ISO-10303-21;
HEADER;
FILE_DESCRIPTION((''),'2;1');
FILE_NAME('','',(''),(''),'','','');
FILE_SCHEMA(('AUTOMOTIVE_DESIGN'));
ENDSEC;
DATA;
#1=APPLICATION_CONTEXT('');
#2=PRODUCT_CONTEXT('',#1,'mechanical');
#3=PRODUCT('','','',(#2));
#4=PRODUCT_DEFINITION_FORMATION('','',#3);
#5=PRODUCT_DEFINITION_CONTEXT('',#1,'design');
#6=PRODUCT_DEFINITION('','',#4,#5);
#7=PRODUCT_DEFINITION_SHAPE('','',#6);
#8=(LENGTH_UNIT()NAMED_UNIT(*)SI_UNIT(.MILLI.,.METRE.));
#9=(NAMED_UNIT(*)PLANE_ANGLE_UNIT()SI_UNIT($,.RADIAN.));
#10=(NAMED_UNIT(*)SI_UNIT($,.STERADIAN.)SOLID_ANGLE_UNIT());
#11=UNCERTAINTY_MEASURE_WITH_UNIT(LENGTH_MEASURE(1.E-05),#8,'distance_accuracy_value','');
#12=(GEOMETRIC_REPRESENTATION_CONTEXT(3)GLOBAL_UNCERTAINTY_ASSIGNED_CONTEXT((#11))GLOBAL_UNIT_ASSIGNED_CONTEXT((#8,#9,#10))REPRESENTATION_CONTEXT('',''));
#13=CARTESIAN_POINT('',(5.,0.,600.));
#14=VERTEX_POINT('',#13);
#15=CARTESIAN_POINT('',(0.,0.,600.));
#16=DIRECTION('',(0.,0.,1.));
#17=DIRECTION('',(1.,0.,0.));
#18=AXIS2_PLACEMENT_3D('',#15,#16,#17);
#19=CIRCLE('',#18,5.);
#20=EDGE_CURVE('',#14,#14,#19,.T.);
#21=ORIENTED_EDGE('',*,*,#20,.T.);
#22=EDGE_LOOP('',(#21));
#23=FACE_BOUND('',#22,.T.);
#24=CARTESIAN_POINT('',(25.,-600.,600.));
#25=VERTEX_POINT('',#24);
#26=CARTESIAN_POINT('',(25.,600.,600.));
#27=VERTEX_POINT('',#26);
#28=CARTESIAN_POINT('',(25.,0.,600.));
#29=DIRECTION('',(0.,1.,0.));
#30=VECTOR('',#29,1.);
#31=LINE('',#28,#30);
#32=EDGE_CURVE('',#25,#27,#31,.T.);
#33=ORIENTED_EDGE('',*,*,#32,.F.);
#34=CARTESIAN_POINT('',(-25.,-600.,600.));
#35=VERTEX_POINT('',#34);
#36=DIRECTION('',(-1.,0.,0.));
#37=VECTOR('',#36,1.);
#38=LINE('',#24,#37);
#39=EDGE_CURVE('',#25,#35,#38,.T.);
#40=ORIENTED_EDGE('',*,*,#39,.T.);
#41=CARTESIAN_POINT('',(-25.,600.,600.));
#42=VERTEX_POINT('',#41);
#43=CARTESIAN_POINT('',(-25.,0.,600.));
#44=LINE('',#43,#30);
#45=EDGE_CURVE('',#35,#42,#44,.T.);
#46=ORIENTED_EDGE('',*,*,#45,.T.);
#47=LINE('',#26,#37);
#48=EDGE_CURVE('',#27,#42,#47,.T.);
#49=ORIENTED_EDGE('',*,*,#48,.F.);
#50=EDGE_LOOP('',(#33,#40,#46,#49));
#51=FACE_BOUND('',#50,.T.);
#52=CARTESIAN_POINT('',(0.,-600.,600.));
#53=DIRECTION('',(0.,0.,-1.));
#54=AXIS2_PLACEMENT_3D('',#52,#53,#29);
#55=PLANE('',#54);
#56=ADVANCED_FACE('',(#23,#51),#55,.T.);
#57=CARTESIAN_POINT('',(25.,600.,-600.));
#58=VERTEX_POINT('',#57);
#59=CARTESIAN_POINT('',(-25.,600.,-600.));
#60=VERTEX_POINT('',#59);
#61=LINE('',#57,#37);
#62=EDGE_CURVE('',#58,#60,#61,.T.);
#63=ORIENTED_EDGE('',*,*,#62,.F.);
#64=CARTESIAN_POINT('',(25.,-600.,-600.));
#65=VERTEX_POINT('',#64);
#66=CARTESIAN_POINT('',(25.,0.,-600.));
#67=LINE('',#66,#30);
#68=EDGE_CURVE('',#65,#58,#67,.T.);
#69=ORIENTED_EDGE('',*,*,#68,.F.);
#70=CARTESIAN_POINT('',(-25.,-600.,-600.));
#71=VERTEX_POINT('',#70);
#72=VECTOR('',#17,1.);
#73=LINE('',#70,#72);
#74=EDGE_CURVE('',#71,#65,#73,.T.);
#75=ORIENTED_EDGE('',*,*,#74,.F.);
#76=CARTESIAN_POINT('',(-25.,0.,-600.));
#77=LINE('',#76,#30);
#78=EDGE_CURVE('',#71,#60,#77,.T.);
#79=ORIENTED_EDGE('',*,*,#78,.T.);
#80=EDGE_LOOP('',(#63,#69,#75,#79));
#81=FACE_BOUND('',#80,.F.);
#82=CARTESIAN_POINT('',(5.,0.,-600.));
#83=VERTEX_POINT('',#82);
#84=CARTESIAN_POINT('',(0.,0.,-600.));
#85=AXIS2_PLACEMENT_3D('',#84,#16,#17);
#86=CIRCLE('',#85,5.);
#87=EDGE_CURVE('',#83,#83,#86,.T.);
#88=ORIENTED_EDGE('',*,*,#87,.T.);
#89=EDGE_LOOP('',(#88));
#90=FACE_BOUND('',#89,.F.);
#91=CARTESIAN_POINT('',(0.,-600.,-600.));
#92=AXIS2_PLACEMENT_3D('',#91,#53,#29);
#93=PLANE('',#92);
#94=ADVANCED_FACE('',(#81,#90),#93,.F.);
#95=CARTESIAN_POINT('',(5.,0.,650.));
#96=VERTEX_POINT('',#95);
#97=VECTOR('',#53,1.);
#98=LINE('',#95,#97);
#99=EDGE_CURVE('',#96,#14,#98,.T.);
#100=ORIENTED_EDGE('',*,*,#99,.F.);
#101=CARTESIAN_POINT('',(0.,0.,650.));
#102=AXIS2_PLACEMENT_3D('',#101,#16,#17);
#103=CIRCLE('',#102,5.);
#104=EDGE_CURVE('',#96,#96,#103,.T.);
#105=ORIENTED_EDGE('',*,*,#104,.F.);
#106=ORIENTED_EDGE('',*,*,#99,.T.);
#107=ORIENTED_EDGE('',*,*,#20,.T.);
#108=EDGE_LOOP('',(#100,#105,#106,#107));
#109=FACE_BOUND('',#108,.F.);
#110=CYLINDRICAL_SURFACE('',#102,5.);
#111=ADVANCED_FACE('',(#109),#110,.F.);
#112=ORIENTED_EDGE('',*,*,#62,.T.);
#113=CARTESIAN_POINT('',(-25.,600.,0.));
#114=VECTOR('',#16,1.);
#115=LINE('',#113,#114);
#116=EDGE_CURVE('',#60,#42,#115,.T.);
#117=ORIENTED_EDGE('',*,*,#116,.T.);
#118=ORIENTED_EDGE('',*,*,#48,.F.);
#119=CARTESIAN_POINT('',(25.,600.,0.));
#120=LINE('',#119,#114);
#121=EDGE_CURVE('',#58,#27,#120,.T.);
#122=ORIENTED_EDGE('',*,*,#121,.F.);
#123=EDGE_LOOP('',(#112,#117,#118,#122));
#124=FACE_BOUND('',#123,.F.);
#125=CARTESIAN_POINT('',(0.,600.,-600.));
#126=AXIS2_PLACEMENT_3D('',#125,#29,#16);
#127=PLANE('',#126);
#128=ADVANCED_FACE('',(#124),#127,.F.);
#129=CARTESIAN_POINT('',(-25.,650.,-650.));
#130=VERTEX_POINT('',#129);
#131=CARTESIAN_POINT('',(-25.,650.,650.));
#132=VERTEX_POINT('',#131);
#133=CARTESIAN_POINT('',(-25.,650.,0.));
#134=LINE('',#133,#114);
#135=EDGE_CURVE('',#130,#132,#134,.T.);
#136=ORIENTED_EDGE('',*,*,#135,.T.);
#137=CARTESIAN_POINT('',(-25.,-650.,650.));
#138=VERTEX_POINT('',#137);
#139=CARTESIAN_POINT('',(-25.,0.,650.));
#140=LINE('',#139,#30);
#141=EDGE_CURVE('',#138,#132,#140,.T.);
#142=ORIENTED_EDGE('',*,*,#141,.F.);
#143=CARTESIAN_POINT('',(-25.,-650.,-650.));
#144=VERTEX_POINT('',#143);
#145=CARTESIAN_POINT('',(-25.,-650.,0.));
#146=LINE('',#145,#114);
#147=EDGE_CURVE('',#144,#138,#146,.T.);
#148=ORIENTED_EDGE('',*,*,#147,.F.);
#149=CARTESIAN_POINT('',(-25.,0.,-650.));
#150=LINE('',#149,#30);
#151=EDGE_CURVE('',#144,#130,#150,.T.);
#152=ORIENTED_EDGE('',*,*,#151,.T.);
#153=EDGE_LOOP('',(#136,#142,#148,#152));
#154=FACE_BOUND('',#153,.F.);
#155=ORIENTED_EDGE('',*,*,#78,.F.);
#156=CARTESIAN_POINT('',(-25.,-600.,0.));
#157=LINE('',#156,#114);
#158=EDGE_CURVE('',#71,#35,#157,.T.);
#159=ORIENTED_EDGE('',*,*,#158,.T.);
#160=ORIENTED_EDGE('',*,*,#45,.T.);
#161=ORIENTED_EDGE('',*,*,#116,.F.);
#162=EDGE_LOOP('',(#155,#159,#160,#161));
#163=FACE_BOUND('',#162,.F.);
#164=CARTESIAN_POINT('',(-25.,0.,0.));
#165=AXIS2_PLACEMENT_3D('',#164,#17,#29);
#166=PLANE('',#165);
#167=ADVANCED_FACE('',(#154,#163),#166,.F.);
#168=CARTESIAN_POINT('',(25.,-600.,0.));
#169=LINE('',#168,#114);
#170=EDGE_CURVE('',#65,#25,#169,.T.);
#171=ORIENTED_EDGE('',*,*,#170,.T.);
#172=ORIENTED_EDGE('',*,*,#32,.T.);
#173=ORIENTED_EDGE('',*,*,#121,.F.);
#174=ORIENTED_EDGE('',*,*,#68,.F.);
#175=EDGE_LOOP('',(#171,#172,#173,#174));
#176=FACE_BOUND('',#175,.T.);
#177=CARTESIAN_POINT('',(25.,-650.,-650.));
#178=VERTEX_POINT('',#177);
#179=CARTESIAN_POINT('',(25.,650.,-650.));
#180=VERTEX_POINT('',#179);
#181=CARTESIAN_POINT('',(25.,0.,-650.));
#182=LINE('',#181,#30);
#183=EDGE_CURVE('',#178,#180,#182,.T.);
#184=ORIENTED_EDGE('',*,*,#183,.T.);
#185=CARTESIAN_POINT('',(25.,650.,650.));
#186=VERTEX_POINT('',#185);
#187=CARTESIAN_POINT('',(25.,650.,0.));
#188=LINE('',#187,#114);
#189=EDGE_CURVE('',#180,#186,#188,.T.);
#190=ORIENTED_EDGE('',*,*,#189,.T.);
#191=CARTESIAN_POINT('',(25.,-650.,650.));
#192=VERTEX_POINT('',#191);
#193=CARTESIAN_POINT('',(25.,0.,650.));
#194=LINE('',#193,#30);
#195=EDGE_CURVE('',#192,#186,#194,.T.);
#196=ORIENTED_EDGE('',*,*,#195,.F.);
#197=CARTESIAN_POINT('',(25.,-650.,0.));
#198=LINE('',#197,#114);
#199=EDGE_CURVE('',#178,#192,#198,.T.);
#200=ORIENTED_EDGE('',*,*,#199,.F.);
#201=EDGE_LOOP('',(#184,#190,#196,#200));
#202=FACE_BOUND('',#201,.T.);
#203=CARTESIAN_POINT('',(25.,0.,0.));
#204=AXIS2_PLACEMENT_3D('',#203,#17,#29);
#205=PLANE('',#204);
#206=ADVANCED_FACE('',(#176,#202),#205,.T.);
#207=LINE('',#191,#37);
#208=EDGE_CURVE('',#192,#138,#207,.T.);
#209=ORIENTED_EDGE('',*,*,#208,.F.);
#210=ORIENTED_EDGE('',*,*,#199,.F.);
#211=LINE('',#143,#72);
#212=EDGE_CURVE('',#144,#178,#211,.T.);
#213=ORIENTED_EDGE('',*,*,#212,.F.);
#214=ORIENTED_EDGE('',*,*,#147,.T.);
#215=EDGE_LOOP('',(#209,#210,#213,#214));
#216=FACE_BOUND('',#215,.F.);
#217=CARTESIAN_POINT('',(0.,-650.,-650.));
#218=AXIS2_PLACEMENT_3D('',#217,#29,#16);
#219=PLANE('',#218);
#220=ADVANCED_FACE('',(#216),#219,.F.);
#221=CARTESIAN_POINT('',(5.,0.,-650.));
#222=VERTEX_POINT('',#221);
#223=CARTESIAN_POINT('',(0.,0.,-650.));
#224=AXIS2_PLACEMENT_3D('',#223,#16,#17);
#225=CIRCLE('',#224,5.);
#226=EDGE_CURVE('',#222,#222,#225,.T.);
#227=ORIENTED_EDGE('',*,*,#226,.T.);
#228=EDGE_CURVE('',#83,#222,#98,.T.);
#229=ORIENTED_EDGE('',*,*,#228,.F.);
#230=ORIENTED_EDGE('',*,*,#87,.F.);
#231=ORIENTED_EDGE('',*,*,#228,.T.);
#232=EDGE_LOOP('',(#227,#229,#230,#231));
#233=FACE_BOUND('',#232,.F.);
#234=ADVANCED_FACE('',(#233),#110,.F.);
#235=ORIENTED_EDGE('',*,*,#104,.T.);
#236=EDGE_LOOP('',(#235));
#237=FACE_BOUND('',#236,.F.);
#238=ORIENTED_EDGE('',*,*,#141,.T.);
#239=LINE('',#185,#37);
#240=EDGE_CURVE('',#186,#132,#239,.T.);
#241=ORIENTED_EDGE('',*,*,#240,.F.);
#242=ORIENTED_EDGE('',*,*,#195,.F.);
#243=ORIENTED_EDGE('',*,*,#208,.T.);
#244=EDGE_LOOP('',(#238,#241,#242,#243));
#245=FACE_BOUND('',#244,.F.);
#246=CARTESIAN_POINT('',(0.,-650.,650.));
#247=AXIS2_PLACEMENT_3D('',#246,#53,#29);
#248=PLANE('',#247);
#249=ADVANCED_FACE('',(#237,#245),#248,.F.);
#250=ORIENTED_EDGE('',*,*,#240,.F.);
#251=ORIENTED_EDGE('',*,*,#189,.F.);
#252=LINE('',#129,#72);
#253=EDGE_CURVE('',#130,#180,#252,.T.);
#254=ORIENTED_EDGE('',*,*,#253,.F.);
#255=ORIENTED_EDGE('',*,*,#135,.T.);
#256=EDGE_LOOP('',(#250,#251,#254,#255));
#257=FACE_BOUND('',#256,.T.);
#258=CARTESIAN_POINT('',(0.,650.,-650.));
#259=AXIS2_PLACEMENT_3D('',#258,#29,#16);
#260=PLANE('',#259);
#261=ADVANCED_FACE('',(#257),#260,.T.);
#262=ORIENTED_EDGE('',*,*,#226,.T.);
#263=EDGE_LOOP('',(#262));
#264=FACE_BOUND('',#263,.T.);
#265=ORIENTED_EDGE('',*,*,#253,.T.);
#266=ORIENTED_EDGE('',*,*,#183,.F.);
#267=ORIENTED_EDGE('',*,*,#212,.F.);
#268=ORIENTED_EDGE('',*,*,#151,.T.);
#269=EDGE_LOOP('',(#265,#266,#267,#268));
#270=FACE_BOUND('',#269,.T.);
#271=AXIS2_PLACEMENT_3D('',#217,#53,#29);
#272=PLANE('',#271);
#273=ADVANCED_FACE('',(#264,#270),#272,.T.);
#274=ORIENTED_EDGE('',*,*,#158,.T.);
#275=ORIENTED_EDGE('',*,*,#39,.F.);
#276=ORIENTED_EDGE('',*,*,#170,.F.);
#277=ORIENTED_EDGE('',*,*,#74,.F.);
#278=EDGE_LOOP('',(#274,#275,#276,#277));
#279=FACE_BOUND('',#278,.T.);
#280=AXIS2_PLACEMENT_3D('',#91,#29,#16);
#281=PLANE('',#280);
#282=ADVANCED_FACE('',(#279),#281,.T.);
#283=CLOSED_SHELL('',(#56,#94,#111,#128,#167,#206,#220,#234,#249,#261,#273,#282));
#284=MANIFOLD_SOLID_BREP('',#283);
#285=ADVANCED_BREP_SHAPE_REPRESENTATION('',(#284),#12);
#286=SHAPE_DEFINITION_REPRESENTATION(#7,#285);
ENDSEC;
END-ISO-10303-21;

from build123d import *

# Parameters (mm, degrees)
SKETCH012_R      = 5
EXTRUDE012_DEPTH = 1500
SKETCH011_W      = 1300
SKETCH011_H      = 1300
SKETCH011_W_2    = 1200
SKETCH011_H_2    = 1200
EXTRUDE011_DEPTH = 25


with BuildPart() as extrude012:
    # Sketch012 (on Face1 of Extrude011) → Extrude012 (new body)
    with BuildSketch(Plane.XY.offset(650)):
        Circle(SKETCH012_R)
    extrude(amount=-EXTRUDE012_DEPTH)


with BuildPart() as cut006:
    # Sketch011 → Extrude011 (new body, symmetric)
    with BuildSketch(Plane.YZ):
        Rectangle(SKETCH011_W, SKETCH011_H)
        Rectangle(SKETCH011_W_2, SKETCH011_H_2, mode=Mode.SUBTRACT)
    extrude(amount=EXTRUDE011_DEPTH, both=True)

    # Cut006: cut Extrude012
    add(extrude012.part, mode=Mode.SUBTRACT)


solid = cut006.part
